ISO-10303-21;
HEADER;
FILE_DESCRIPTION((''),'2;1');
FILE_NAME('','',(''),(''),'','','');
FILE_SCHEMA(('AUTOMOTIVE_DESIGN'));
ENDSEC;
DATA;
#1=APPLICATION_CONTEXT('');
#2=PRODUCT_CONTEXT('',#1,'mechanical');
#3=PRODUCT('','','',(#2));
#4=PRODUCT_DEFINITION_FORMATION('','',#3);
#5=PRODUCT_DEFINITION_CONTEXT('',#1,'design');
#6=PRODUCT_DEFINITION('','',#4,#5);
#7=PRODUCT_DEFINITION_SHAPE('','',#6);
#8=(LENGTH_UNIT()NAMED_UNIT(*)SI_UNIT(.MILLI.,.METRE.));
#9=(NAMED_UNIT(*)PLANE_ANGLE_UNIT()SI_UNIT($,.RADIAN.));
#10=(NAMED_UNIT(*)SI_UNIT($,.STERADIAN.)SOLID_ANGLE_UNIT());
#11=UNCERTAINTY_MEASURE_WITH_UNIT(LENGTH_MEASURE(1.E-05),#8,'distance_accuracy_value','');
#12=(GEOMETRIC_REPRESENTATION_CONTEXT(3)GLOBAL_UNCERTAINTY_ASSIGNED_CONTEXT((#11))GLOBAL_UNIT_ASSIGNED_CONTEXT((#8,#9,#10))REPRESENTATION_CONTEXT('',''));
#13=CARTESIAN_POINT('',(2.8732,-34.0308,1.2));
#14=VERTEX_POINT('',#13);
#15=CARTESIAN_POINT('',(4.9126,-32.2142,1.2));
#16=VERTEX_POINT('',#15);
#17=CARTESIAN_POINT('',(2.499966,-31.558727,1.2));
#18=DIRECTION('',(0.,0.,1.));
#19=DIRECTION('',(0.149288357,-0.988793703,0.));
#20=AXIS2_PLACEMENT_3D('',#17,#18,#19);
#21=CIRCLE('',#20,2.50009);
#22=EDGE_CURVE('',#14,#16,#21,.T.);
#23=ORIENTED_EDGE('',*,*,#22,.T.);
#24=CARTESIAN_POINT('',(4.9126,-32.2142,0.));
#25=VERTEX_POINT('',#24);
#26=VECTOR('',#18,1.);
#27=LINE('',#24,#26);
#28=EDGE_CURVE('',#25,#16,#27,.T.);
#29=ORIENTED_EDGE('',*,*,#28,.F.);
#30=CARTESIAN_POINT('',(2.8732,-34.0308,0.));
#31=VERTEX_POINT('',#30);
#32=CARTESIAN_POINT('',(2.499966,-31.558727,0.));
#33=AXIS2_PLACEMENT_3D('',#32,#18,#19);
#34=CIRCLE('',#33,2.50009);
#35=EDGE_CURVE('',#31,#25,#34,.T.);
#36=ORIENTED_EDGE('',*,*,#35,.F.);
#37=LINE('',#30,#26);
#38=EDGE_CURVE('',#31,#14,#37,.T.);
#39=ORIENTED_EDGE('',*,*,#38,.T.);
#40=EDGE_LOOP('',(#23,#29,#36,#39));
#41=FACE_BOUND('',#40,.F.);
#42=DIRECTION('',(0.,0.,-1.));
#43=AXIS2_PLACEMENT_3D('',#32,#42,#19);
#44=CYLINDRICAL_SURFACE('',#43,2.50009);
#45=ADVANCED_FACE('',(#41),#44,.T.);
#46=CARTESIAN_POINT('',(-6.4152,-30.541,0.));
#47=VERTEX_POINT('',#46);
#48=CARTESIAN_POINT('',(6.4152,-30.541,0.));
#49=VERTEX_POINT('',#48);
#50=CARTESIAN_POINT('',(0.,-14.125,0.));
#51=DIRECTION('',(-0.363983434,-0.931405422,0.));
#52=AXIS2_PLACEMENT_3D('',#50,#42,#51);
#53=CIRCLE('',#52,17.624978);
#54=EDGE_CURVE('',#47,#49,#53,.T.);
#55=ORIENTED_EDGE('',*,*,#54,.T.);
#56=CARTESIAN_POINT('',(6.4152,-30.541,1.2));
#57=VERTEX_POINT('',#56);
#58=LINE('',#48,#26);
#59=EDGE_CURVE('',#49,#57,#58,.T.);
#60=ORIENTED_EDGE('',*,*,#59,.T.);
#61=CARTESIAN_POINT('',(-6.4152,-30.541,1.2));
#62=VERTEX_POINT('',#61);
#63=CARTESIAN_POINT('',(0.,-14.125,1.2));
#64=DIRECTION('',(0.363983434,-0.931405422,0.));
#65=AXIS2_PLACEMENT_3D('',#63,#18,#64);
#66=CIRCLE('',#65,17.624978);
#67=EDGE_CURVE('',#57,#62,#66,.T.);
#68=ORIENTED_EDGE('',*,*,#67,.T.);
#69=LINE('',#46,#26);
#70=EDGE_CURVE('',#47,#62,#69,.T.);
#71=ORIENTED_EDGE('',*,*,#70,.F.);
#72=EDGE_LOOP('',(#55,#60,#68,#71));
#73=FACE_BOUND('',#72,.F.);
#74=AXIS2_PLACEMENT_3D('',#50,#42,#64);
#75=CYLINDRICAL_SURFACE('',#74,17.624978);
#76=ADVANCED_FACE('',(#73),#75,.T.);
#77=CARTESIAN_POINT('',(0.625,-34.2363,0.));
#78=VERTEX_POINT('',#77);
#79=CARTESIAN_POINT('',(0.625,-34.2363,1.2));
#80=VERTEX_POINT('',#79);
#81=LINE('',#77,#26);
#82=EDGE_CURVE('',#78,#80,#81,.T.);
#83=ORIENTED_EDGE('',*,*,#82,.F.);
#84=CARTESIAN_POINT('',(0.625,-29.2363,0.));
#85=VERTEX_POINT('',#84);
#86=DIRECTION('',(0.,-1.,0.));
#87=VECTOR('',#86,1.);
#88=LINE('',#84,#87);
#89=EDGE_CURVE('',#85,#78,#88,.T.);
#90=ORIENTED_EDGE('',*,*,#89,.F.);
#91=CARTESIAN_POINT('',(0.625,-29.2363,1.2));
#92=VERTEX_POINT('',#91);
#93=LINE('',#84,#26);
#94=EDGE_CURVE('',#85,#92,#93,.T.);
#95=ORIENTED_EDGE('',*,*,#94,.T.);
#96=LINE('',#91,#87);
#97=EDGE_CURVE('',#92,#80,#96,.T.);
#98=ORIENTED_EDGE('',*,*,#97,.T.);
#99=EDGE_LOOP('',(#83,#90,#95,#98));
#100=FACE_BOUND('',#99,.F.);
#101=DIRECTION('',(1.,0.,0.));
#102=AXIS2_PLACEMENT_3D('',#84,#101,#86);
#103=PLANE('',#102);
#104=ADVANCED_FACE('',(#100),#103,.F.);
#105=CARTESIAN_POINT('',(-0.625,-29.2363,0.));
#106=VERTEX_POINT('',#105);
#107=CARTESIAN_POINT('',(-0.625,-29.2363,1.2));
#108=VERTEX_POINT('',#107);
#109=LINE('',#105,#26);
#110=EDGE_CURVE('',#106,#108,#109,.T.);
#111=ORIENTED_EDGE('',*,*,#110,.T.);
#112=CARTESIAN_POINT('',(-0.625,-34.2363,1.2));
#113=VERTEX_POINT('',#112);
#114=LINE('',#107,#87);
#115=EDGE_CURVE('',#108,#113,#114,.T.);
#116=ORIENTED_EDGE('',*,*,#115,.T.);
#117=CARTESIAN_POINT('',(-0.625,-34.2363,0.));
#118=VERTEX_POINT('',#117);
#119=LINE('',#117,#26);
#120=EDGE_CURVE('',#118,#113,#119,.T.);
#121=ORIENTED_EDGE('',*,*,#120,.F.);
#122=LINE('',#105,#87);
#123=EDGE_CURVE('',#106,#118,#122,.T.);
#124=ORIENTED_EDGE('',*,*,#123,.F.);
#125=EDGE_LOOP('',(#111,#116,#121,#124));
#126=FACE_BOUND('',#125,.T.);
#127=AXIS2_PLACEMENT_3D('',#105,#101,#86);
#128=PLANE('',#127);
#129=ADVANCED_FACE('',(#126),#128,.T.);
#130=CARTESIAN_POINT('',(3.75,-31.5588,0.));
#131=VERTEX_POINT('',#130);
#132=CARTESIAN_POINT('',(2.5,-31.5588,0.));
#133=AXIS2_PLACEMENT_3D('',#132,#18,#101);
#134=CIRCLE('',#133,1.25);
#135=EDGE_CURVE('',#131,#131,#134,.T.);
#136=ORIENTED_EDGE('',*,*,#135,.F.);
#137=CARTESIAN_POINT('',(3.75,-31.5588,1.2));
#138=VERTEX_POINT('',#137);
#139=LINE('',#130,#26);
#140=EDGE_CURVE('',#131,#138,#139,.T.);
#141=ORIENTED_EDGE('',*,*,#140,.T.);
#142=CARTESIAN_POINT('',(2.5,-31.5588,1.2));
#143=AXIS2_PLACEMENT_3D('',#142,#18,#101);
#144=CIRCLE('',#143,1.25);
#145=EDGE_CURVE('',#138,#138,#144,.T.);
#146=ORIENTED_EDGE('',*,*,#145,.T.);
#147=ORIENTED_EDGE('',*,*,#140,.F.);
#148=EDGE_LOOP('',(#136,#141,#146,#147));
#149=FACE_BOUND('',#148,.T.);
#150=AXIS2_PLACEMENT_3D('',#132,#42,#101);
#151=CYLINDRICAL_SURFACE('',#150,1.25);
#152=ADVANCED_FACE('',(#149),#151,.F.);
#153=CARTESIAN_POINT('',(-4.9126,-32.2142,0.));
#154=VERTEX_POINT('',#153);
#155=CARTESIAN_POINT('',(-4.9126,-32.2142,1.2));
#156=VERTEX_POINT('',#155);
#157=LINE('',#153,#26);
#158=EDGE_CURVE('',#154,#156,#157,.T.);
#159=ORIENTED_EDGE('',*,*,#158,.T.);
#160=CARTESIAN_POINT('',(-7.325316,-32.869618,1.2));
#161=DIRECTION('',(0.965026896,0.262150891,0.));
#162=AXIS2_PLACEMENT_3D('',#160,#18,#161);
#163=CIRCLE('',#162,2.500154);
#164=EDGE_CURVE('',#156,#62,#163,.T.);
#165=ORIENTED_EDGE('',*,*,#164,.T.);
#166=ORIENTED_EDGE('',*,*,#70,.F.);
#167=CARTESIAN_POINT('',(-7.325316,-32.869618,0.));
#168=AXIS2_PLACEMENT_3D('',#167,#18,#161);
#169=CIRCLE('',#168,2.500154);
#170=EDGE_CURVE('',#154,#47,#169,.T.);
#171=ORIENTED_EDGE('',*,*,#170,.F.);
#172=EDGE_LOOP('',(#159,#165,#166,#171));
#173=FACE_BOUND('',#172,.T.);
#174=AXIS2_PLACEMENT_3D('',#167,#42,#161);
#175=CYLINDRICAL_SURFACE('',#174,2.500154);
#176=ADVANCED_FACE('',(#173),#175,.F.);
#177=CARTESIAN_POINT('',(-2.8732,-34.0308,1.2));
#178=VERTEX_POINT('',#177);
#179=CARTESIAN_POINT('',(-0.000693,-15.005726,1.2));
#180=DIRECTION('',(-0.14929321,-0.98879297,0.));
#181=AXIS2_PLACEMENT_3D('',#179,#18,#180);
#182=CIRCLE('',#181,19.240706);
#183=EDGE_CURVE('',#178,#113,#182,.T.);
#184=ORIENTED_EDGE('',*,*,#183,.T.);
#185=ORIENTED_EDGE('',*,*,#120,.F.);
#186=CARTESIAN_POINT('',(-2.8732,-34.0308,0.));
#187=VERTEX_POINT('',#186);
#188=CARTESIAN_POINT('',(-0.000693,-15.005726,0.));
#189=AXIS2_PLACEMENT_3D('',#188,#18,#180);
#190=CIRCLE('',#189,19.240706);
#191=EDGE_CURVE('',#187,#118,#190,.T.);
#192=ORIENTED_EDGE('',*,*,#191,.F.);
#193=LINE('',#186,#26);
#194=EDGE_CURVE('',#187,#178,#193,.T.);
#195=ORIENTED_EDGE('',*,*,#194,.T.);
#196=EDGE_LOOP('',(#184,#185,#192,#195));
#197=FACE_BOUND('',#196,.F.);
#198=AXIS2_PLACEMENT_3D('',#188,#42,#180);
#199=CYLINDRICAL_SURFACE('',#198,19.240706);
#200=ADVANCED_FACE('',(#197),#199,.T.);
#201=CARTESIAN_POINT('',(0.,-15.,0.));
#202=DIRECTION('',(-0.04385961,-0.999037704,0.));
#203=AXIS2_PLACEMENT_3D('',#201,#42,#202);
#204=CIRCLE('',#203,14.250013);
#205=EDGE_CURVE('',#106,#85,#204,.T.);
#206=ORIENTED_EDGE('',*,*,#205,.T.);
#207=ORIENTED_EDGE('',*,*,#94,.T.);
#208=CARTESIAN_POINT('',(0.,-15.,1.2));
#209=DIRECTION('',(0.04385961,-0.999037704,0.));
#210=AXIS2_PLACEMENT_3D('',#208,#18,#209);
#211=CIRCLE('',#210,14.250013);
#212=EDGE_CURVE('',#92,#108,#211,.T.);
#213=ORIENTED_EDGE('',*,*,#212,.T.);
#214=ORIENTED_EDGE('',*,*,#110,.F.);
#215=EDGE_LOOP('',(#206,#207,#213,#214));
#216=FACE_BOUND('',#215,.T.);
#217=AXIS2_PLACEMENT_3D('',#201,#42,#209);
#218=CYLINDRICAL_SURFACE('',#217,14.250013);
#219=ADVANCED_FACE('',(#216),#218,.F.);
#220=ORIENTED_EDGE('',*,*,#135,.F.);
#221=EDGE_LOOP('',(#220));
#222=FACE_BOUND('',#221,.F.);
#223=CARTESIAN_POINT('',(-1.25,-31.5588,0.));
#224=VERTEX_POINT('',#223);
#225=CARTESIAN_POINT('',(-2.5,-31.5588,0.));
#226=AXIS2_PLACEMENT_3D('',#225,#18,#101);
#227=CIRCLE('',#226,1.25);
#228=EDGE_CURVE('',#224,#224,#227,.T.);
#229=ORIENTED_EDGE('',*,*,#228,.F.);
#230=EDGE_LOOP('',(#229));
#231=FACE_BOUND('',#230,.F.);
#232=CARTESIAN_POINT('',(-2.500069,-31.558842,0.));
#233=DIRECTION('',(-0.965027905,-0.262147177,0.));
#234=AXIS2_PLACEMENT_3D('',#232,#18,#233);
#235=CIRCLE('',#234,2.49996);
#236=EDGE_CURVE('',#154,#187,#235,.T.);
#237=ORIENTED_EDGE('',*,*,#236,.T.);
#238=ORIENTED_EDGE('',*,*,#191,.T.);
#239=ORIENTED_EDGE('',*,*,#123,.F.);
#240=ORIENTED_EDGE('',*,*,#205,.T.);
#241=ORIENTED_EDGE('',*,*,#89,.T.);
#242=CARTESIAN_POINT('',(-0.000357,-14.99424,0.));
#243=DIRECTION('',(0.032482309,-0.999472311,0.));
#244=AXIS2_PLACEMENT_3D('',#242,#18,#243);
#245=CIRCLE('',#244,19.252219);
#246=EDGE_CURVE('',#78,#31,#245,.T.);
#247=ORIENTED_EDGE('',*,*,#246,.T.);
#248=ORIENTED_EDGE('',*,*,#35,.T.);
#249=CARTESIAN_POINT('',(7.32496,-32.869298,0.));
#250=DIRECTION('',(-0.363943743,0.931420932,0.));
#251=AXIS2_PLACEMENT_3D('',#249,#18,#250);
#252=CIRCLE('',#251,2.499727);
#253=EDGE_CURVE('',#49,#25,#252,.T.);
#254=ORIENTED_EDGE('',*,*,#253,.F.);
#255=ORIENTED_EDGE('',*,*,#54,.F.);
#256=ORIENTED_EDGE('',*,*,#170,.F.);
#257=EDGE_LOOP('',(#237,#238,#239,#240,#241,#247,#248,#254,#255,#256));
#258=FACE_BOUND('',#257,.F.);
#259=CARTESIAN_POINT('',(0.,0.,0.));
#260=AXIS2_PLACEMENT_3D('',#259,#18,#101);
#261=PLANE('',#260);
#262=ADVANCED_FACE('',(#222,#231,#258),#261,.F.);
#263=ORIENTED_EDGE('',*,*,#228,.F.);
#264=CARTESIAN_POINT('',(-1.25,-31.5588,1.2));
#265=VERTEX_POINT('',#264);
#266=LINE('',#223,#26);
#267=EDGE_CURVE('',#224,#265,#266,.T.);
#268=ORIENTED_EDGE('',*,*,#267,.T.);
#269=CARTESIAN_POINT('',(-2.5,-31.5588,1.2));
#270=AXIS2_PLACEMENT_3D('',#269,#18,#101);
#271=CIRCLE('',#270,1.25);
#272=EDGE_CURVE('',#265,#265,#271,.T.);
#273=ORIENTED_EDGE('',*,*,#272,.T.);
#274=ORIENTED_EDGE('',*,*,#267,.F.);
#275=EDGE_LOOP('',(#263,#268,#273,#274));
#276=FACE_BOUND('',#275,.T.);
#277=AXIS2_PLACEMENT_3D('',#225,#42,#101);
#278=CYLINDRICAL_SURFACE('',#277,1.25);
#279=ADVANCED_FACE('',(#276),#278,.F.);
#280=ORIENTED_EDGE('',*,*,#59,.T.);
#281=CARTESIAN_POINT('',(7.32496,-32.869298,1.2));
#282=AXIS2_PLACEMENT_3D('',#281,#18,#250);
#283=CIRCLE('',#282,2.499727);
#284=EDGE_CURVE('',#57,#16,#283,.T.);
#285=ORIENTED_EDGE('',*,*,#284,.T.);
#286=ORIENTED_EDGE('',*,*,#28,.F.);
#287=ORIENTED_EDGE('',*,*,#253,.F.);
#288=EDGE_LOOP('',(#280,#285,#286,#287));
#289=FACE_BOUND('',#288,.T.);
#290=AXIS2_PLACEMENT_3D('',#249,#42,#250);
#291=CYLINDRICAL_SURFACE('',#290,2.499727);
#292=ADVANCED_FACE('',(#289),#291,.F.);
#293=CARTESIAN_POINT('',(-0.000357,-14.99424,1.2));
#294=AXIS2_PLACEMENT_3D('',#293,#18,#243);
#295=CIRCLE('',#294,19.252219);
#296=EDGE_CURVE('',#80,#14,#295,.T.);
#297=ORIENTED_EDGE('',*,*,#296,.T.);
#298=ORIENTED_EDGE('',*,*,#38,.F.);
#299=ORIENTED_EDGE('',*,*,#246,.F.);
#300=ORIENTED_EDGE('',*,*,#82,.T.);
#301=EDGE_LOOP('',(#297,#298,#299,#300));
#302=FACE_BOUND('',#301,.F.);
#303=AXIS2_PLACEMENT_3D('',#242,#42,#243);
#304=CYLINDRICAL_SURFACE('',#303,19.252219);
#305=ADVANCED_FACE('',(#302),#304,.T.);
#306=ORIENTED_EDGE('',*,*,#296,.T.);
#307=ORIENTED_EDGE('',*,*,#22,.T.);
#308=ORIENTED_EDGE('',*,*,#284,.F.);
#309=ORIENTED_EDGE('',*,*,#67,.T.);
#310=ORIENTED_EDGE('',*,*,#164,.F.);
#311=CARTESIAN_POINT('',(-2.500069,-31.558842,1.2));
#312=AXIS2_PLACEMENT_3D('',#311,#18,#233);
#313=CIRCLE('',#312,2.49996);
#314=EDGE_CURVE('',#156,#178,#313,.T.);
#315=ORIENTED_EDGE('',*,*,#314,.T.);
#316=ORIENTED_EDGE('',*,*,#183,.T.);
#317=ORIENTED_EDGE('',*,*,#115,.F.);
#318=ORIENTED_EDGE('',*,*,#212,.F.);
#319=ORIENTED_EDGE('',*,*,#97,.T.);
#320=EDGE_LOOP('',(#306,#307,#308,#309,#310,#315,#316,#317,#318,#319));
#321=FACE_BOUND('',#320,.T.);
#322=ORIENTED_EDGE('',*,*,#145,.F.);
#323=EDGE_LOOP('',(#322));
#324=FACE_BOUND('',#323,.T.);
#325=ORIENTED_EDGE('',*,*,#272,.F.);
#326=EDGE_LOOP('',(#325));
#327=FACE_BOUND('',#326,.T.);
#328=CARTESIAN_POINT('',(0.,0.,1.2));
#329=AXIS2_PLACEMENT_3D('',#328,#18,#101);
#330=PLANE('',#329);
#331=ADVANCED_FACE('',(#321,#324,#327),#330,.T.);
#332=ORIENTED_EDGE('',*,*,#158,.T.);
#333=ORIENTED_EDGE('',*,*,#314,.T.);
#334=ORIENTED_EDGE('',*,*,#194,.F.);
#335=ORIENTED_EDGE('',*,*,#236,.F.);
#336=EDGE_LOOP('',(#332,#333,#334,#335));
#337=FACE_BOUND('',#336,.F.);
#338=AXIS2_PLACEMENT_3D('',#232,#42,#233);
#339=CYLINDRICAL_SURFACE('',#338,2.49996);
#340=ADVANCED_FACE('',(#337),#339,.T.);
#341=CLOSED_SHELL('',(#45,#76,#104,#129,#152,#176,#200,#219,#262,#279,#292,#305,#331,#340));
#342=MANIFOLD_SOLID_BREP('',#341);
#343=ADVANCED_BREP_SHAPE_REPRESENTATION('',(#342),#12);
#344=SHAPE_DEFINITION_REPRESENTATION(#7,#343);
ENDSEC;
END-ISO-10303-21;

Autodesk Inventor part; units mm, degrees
ref_plane "YZ Plane" through (0, 0, 0) normal (1, 0, 0) x (0, 1, 0)
ref_plane "XZ Plane" through (0, 0, 0) normal (0, 1, 0) x (-1, 0, 0)
sketch "Эскиз1" plane through (0, 0, 0) normal (0, 0, 1) x (1, 0, 0)
  line L0 (-6, 0) -> (6, 0) construction
  arc A0 (0.625, -29.2363) -> (-0.625, -29.2363) centre (0, -15) ccw
  line L1 (0, 20.1894) -> (0, -80.5364) projected
  line L2 (-48.09, 0) -> (48.09, 0) projected
  line L3 (-0.625, -29.2363) -> (-0.625, -34.2363)
  line L4 (-0.625, -6.5402) -> (-0.625, -13.29) construction
  line L5 (-2.7947, 3.5) -> (3.6722, 3.5) construction
  arc A1 (6.4152, -30.541) -> (-6.4152, -30.541) centre (0, -14.125) ccw
  arc A2 (-2.8732, -34.0308) -> (-0.625, -34.2363) centre (0, -15) ccw
  arc A3 (-4.9126, -32.2142) -> (-2.8732, -34.0308) centre (-2.5, -31.5588) ccw
  arc A4 (-4.9126, -32.2142) -> (-6.4152, -30.541) centre (-7.3251, -32.8695) ccw
  line L6 (0.625, -29.2363) -> (0.625, -34.2363)
  line L7 (0.625, -6.5402) -> (0.625, -13.29) construction
  arc A5 (0.625, -34.2363) -> (2.8732, -34.0308) centre (0, -15) ccw
  arc A6 (2.8732, -34.0308) -> (4.9126, -32.2142) centre (2.5, -31.5588) ccw
  arc A7 (6.4152, -30.541) -> (4.9126, -32.2142) centre (7.3251, -32.8695) ccw
  circle A8 centre (-2.5, -31.5588) radius 1.25
  circle A9 centre (2.5, -31.5588) radius 1.25
  dimension "d0" = 28.5
  dimension "d1" = 5
  dimension "d6" = 0.625
  dimension "d7" = 3.5
  dimension "d8" = 0.875
  dimension "d9" = 2.5
  dimension "d10" = 2.5
  dimension "d11" = 1.875
  dimension "d12" = 2.5
  dimension "d13" = 2.5
  dimension "d14" = 15
extrude "Базовый элемент" add sketch "Эскиз1" along normal blind 1.2
ref_plane "Work Plane1" through (0, -15, 0) normal (1, 0, 0) x (0, 0, 1)
equation "\"d0\" = ND"
equation "\"d1\" = SRB2"
equation "\"d6\" = 0.25 * SD5"
equation "\"d7\" = SRB1"
equation "\"d8\" = 0.25 * SRB1"
equation "\"d9\" = SD5"
equation "\"d10\" = SD5"
equation "\"d11\" = 0.75 * SD5"
equation "\"d12\" = SD5"
equation "\"d13\" = SD5"
equation "\"d14\" = 0.5 * WD"
equation "\"d2\" = SD"
equation "\"SD\" = 1.2"
equation "\"SRB1\" = 3.5"
equation "\"ND\" = 28.5"
equation "\"SRB2\" = 5"
equation "\"SD5\" = 2.5"
equation "\"SD3\" = 27.8"
equation "\"WDMAX\" = 32"
equation "\"SNB\" = 1.4"
equation "\"BUBRMI\" = 2.7"
equation "\"WD\" = 30"
properties part number "Кольцо A30 ГОСТ 13942-86" material "Сталь, мягкая"
